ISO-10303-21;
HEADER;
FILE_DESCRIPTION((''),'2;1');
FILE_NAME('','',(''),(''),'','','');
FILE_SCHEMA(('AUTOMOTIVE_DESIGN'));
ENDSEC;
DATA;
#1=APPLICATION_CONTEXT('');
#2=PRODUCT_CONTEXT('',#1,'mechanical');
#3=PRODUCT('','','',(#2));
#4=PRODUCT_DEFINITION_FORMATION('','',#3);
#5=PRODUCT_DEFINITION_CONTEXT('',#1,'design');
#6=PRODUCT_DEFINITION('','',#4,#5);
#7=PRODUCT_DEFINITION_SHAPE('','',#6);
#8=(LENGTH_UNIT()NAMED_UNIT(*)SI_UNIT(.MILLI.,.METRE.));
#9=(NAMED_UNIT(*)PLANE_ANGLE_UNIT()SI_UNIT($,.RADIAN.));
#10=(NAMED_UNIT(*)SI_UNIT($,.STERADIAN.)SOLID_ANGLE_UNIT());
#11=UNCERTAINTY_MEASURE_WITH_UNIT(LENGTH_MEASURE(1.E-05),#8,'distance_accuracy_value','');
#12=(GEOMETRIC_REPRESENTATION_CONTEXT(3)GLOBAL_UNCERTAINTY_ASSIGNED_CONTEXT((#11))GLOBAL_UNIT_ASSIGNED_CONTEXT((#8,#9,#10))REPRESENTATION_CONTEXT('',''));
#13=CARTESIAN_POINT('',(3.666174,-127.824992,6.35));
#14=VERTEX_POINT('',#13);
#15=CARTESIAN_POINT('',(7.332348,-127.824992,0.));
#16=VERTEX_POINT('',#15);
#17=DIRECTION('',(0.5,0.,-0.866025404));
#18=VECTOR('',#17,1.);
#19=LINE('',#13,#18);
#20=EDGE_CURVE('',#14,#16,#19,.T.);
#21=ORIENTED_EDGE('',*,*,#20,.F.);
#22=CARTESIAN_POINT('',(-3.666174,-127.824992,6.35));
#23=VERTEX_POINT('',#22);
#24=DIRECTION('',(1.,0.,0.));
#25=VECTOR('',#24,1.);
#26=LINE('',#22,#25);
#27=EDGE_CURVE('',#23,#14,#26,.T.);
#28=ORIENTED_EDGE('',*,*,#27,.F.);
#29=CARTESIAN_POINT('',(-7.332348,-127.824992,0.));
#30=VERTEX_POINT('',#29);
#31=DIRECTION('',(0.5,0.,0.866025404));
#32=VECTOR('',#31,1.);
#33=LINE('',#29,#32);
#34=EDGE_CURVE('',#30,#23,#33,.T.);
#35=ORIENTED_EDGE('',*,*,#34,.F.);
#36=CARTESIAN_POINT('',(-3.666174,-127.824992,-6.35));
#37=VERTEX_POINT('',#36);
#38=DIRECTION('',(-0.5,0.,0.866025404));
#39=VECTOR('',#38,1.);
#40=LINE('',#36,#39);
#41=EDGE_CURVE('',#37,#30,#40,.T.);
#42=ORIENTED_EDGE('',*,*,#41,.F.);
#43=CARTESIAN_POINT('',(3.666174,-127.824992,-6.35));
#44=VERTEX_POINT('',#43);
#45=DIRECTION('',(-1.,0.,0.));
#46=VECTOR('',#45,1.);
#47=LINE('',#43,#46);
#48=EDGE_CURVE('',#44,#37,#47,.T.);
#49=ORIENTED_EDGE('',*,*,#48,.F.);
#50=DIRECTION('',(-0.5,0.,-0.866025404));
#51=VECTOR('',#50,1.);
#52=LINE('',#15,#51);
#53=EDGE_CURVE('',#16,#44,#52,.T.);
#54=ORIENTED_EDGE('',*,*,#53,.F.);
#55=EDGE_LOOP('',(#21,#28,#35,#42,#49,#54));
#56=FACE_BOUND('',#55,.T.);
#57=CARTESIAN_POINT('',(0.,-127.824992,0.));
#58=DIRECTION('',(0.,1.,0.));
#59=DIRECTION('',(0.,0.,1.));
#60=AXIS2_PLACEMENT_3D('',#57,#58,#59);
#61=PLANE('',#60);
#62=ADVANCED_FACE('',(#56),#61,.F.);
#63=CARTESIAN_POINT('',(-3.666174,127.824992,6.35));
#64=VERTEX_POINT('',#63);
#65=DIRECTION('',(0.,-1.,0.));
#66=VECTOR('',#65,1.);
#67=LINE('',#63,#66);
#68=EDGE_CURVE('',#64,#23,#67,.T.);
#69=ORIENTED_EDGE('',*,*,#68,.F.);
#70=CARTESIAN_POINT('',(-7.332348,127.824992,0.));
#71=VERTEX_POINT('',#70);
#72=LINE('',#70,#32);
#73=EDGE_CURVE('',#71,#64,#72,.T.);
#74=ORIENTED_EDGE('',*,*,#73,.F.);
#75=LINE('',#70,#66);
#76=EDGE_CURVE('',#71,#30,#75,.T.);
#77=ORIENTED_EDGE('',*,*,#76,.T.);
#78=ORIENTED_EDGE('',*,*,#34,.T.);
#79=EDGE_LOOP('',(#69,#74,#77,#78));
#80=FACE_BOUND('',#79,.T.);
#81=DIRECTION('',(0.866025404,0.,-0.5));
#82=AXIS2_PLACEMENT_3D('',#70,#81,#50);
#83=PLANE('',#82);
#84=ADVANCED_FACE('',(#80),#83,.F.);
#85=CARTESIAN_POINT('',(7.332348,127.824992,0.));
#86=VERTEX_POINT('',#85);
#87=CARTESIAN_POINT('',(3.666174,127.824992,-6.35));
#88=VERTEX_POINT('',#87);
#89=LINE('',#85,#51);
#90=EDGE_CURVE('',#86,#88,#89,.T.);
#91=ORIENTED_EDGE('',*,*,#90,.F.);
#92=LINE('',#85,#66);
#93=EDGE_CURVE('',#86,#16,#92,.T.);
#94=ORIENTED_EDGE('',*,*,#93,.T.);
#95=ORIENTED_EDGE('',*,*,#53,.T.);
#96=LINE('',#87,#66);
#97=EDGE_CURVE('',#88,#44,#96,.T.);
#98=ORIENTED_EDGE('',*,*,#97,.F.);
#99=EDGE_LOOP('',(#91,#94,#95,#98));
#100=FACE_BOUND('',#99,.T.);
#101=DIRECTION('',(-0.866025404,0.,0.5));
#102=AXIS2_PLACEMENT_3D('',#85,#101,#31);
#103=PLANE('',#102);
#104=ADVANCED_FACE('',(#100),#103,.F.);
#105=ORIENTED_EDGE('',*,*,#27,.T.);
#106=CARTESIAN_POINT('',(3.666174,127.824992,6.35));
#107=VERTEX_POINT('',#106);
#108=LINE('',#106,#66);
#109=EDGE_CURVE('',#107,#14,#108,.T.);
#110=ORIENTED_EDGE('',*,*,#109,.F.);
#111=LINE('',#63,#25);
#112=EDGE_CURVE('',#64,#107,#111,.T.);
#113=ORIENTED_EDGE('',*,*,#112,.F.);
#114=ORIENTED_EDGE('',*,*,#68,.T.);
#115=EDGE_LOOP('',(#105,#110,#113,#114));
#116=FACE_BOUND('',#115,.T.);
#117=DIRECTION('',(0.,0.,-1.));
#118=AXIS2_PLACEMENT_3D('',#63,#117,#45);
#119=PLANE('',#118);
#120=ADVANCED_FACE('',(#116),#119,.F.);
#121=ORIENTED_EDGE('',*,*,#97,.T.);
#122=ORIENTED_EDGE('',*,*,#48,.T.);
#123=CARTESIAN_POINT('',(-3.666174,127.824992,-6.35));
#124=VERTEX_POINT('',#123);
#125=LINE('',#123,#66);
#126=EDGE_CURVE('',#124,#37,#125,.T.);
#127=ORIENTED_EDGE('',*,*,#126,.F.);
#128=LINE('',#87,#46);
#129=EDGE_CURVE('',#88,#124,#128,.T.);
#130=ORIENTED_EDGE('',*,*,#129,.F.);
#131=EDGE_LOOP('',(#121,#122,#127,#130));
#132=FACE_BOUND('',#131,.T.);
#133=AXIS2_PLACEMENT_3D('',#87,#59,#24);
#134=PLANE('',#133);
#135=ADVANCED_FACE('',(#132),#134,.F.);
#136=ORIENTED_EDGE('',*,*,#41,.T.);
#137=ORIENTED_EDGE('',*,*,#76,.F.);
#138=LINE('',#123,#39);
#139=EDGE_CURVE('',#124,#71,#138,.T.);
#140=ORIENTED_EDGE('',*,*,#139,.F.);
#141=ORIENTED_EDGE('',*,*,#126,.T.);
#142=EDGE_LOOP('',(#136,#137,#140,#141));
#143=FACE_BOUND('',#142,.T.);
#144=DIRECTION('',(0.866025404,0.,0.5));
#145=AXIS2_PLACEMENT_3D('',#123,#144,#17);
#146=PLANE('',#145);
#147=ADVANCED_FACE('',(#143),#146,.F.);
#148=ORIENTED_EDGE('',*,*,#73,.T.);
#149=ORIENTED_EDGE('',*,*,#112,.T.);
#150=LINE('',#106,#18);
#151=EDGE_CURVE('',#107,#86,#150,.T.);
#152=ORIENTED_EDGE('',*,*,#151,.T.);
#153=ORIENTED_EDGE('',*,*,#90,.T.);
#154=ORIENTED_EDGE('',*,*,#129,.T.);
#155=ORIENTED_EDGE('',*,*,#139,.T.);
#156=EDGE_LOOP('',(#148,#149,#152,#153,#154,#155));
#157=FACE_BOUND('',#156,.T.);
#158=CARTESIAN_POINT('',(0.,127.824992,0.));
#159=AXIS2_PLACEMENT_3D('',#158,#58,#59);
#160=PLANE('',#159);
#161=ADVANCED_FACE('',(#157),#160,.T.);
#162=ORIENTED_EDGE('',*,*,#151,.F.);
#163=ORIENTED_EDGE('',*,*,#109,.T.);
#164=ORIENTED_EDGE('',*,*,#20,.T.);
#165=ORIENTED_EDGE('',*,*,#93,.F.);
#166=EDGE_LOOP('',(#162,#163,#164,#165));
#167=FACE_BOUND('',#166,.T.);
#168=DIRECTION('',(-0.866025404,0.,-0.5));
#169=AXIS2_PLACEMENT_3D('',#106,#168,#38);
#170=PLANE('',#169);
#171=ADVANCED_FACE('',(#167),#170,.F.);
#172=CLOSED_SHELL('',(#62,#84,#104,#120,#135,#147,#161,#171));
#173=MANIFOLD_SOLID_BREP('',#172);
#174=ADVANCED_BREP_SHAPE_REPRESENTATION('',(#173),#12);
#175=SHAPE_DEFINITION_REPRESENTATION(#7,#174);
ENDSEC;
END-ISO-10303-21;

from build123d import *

# Parameters (mm, degrees)
BOSS_EXTRUDE1_DEPTH = 127.824992


with BuildPart() as part:
    # Sketch1 → Boss-Extrude1 (new body, symmetric)
    with BuildSketch(Plane(origin=(0, 0, 0), x_dir=(1, 0, 0), z_dir=(0, 1, 0))):
        Polygon((7.332348419, 0), (3.666174209, 6.35), (-3.666174209, 6.35), (-7.332348419, 0), (-3.666174209, -6.35), (3.666174209, -6.35), align=None)
    extrude(amount=BOSS_EXTRUDE1_DEPTH, both=True)


solid = part.part
